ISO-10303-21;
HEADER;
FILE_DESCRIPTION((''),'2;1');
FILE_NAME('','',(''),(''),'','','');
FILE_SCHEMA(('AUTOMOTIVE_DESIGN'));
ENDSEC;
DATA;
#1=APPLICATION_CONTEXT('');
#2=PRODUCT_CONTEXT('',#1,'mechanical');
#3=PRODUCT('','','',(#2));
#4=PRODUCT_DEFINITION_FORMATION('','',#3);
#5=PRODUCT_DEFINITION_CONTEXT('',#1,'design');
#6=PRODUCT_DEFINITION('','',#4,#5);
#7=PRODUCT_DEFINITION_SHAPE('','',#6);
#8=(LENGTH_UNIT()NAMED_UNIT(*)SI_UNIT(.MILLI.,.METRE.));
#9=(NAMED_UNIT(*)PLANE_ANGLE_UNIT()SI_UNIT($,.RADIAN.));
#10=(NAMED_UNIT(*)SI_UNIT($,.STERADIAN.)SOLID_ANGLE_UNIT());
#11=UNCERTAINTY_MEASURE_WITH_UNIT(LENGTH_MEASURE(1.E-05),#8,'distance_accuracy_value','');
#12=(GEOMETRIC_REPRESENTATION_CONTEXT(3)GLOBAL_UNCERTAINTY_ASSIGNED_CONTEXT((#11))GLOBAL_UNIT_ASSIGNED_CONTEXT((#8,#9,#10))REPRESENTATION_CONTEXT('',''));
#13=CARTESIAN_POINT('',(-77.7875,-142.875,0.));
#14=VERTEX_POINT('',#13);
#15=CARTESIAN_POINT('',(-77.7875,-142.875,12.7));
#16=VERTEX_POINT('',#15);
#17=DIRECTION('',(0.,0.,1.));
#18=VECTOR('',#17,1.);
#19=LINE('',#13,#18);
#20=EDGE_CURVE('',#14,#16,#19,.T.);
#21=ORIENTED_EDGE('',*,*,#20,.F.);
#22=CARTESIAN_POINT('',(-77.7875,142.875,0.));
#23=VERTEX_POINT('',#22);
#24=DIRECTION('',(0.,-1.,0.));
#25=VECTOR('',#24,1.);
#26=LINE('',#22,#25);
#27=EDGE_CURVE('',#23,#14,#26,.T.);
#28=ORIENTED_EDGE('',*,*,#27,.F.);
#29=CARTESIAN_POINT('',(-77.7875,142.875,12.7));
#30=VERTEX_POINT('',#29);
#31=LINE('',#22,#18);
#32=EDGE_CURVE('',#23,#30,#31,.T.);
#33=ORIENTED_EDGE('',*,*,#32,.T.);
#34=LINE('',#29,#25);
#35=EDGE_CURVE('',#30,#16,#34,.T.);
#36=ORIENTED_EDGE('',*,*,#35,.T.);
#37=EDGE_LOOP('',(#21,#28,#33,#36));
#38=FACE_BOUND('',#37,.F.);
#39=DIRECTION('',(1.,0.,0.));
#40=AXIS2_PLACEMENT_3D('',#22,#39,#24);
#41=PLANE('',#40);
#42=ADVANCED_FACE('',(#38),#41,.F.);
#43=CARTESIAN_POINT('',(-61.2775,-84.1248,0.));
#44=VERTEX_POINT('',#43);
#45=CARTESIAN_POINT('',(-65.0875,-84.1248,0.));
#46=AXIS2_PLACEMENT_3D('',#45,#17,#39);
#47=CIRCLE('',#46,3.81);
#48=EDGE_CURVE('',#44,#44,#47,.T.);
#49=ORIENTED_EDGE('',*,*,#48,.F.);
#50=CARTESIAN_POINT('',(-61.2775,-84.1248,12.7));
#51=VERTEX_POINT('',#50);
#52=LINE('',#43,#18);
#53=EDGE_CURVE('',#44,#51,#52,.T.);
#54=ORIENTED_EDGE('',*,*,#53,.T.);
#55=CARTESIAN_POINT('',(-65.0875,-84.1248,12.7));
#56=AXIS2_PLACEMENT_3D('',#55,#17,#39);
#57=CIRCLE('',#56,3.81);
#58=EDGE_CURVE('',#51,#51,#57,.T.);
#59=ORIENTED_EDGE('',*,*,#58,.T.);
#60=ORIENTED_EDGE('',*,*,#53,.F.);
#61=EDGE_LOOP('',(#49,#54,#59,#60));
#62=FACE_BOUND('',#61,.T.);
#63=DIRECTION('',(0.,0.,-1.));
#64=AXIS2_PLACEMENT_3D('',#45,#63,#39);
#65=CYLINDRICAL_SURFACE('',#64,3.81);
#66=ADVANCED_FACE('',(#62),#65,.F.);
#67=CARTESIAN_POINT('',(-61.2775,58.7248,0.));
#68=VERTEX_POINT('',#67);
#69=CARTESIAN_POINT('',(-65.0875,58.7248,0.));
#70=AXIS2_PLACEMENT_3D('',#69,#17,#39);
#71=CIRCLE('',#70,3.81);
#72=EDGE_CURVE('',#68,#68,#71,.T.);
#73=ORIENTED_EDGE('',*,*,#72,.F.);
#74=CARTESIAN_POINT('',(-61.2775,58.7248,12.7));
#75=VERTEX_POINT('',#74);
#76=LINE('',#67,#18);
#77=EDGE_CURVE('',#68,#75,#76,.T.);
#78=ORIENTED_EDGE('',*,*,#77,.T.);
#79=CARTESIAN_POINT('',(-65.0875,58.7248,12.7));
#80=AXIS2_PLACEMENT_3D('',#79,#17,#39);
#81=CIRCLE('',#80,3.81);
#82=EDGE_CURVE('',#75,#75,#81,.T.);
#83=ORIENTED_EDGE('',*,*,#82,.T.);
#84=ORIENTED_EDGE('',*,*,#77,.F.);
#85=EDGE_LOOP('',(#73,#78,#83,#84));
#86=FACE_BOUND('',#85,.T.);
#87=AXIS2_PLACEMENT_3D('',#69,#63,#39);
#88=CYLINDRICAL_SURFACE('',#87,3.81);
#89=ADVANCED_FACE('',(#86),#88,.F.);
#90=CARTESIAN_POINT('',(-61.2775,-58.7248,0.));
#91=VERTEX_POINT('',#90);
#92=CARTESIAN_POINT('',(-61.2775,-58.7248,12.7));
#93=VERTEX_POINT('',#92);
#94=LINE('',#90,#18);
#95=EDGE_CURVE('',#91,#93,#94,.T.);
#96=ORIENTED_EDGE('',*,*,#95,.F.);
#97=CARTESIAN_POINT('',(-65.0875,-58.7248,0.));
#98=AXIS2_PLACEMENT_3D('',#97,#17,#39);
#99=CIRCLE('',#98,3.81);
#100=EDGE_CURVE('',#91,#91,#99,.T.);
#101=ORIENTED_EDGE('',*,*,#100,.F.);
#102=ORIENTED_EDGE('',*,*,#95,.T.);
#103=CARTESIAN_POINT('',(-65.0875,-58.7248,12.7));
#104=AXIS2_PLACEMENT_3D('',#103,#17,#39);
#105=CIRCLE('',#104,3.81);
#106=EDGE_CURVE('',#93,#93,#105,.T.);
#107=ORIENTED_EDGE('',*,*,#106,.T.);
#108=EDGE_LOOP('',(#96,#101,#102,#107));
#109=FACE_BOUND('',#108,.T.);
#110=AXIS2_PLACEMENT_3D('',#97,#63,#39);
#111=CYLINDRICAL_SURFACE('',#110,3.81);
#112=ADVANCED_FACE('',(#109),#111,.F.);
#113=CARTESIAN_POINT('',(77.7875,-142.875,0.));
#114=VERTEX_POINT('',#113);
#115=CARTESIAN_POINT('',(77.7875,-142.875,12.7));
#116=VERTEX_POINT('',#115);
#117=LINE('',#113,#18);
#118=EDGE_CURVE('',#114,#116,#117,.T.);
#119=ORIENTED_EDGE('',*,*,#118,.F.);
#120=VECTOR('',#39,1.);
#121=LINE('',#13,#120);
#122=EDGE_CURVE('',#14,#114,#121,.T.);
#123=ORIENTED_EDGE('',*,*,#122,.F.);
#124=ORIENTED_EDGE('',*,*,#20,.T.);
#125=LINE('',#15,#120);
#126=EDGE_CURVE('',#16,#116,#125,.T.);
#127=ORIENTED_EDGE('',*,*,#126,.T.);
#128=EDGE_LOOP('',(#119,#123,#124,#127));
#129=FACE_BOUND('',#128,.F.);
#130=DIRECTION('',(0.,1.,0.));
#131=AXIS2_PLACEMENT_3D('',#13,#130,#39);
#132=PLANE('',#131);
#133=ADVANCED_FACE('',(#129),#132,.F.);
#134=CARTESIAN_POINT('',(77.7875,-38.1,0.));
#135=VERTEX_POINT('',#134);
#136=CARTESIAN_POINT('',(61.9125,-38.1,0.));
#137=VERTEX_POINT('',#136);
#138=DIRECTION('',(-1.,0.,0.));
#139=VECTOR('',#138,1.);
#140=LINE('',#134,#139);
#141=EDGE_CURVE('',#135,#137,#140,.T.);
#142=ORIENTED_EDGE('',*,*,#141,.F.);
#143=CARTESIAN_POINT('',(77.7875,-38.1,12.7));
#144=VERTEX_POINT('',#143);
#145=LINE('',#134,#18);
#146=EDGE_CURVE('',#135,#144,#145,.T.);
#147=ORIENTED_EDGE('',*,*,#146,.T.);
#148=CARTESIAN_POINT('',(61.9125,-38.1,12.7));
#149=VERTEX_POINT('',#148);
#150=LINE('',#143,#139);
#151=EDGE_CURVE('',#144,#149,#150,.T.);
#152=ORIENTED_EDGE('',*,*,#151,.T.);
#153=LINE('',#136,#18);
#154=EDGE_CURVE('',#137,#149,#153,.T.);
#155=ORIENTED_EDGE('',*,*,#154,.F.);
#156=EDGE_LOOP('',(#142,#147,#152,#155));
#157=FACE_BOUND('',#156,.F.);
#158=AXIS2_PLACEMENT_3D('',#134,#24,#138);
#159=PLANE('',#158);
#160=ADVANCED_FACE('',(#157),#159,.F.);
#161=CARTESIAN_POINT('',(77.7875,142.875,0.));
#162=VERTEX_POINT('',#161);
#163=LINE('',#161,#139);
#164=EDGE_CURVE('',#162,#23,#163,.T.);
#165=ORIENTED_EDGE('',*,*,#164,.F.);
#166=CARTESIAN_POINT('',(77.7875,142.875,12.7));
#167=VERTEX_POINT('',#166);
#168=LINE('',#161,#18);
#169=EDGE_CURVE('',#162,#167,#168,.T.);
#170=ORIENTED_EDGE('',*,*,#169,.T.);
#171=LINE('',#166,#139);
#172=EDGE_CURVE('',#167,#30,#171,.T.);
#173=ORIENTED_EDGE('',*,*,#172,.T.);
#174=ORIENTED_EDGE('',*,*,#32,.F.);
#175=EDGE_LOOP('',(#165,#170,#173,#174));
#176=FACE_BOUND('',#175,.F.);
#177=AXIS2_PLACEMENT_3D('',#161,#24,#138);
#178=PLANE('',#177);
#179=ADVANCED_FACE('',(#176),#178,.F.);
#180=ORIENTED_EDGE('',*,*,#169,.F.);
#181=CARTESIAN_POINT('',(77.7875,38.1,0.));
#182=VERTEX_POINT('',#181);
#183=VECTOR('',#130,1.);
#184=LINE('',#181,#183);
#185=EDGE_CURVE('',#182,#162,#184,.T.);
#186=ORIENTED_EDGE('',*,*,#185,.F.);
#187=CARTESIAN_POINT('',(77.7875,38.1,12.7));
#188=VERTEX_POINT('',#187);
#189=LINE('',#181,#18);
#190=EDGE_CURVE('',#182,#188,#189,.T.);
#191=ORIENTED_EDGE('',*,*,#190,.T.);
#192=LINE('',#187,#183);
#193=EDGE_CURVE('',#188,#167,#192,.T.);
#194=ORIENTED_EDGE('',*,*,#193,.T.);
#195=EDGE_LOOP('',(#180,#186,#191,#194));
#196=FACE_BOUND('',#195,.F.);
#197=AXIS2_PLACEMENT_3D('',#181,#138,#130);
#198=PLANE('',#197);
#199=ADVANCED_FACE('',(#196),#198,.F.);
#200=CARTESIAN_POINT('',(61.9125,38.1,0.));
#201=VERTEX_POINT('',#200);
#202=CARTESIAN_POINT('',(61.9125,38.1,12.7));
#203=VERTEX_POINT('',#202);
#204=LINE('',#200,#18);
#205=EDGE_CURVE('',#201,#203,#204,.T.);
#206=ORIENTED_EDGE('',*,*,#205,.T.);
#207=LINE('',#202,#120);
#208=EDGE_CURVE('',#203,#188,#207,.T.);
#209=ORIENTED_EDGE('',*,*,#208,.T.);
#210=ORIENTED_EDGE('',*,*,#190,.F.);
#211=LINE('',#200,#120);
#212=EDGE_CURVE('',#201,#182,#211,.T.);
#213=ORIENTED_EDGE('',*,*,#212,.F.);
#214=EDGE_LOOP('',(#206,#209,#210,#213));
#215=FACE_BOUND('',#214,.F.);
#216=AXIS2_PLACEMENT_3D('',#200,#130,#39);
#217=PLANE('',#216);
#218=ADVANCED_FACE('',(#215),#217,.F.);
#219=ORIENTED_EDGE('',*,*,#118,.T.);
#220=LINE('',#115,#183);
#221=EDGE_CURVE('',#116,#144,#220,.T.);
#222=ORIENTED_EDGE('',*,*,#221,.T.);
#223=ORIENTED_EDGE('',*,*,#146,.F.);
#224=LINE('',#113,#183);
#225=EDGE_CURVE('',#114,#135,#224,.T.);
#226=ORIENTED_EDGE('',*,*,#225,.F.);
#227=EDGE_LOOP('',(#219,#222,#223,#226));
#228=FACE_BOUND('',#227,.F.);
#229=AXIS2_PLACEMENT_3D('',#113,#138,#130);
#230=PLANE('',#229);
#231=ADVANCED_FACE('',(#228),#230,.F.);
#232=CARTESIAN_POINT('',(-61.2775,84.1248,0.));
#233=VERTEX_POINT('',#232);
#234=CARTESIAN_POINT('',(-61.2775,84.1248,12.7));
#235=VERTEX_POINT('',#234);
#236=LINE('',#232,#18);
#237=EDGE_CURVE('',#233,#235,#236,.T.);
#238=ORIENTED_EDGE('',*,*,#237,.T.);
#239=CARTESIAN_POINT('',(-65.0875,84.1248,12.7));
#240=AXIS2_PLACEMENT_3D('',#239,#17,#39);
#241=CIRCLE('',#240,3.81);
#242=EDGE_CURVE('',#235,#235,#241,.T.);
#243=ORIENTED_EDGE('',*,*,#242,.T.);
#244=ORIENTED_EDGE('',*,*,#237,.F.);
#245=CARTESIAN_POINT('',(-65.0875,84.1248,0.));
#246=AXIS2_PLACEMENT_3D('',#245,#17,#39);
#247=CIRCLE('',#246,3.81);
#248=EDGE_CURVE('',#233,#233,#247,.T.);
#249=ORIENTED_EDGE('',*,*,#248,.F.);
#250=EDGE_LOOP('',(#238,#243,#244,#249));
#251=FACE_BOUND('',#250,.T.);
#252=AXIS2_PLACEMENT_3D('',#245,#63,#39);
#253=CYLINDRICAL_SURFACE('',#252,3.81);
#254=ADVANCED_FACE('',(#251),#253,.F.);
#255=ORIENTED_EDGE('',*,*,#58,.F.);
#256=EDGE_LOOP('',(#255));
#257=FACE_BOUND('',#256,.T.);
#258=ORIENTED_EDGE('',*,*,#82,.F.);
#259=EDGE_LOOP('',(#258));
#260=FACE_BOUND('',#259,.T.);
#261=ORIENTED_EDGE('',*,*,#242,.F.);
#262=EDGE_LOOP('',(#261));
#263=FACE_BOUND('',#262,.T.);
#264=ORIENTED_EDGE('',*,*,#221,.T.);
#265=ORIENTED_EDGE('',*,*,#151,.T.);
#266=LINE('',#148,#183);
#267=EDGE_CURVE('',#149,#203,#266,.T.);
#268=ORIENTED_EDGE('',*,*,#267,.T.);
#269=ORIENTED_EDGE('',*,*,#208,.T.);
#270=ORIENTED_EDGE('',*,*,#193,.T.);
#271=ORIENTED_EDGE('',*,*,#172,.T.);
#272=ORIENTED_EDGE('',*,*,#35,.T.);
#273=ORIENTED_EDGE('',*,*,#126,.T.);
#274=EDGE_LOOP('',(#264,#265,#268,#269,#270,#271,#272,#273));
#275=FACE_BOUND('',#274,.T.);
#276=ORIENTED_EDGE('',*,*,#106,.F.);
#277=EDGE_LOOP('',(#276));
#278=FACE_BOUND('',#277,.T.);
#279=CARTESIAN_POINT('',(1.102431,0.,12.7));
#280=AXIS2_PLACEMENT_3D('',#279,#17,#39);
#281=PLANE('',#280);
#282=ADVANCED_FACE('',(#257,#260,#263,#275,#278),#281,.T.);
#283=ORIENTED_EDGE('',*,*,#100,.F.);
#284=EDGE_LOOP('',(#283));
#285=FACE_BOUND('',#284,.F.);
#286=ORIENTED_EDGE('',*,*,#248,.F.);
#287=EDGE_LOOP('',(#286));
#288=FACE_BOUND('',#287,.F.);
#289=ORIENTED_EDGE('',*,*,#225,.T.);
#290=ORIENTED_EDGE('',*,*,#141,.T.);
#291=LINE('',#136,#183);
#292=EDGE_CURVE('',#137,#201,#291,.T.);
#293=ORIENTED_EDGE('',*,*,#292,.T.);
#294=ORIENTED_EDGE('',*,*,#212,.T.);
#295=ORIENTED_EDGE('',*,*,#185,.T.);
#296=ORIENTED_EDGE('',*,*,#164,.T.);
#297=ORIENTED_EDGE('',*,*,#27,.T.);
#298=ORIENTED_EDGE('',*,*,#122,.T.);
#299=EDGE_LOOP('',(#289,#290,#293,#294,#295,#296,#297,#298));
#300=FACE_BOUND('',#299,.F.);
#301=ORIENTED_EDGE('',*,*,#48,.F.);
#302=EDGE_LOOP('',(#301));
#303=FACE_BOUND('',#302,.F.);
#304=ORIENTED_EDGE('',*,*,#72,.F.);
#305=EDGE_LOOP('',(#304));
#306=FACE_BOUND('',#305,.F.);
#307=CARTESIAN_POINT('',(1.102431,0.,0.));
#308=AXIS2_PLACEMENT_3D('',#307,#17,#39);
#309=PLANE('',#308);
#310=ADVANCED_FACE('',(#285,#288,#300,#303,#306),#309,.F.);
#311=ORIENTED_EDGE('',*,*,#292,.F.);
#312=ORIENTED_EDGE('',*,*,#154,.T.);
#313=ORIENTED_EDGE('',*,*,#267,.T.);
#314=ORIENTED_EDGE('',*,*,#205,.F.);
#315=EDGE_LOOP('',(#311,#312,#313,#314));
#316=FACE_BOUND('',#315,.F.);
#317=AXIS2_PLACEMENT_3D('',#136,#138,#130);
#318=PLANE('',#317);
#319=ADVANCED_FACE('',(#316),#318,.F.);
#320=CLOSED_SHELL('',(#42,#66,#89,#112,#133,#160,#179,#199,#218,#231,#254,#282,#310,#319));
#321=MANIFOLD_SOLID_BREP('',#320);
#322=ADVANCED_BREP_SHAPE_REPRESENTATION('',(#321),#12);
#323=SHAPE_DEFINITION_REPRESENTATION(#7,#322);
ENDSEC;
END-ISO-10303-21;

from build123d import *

# Parameters (mm, degrees)
F0_R     = 3.81
F1_DEPTH = 12.7


with BuildPart() as f1:
    # F0 (on Top) → F1 (new body)
    with BuildSketch(Plane.XY):
        Polygon((77.7875, 38.1), (77.7875, 142.875), (-77.7875, 142.875), (-77.7875, 71.4248), (-77.7875, 0), (-77.7875, -71.4248), (-77.7875, -142.875), (77.7875, -142.875), (77.7875, -38.1), (61.9125, -38.1), (61.9125, 38.1), align=None)
        with Locations((-65.0875, -84.1248)):
            Circle(F0_R, mode=Mode.SUBTRACT)
        with Locations((-65.0875, -58.7248)):
            Circle(F0_R, mode=Mode.SUBTRACT)
        with Locations((-65.0875, 58.7248)):
            Circle(F0_R, mode=Mode.SUBTRACT)
        with Locations((-65.0875, 84.1248)):
            Circle(F0_R, mode=Mode.SUBTRACT)
    extrude(amount=F1_DEPTH)


solid = f1.part
